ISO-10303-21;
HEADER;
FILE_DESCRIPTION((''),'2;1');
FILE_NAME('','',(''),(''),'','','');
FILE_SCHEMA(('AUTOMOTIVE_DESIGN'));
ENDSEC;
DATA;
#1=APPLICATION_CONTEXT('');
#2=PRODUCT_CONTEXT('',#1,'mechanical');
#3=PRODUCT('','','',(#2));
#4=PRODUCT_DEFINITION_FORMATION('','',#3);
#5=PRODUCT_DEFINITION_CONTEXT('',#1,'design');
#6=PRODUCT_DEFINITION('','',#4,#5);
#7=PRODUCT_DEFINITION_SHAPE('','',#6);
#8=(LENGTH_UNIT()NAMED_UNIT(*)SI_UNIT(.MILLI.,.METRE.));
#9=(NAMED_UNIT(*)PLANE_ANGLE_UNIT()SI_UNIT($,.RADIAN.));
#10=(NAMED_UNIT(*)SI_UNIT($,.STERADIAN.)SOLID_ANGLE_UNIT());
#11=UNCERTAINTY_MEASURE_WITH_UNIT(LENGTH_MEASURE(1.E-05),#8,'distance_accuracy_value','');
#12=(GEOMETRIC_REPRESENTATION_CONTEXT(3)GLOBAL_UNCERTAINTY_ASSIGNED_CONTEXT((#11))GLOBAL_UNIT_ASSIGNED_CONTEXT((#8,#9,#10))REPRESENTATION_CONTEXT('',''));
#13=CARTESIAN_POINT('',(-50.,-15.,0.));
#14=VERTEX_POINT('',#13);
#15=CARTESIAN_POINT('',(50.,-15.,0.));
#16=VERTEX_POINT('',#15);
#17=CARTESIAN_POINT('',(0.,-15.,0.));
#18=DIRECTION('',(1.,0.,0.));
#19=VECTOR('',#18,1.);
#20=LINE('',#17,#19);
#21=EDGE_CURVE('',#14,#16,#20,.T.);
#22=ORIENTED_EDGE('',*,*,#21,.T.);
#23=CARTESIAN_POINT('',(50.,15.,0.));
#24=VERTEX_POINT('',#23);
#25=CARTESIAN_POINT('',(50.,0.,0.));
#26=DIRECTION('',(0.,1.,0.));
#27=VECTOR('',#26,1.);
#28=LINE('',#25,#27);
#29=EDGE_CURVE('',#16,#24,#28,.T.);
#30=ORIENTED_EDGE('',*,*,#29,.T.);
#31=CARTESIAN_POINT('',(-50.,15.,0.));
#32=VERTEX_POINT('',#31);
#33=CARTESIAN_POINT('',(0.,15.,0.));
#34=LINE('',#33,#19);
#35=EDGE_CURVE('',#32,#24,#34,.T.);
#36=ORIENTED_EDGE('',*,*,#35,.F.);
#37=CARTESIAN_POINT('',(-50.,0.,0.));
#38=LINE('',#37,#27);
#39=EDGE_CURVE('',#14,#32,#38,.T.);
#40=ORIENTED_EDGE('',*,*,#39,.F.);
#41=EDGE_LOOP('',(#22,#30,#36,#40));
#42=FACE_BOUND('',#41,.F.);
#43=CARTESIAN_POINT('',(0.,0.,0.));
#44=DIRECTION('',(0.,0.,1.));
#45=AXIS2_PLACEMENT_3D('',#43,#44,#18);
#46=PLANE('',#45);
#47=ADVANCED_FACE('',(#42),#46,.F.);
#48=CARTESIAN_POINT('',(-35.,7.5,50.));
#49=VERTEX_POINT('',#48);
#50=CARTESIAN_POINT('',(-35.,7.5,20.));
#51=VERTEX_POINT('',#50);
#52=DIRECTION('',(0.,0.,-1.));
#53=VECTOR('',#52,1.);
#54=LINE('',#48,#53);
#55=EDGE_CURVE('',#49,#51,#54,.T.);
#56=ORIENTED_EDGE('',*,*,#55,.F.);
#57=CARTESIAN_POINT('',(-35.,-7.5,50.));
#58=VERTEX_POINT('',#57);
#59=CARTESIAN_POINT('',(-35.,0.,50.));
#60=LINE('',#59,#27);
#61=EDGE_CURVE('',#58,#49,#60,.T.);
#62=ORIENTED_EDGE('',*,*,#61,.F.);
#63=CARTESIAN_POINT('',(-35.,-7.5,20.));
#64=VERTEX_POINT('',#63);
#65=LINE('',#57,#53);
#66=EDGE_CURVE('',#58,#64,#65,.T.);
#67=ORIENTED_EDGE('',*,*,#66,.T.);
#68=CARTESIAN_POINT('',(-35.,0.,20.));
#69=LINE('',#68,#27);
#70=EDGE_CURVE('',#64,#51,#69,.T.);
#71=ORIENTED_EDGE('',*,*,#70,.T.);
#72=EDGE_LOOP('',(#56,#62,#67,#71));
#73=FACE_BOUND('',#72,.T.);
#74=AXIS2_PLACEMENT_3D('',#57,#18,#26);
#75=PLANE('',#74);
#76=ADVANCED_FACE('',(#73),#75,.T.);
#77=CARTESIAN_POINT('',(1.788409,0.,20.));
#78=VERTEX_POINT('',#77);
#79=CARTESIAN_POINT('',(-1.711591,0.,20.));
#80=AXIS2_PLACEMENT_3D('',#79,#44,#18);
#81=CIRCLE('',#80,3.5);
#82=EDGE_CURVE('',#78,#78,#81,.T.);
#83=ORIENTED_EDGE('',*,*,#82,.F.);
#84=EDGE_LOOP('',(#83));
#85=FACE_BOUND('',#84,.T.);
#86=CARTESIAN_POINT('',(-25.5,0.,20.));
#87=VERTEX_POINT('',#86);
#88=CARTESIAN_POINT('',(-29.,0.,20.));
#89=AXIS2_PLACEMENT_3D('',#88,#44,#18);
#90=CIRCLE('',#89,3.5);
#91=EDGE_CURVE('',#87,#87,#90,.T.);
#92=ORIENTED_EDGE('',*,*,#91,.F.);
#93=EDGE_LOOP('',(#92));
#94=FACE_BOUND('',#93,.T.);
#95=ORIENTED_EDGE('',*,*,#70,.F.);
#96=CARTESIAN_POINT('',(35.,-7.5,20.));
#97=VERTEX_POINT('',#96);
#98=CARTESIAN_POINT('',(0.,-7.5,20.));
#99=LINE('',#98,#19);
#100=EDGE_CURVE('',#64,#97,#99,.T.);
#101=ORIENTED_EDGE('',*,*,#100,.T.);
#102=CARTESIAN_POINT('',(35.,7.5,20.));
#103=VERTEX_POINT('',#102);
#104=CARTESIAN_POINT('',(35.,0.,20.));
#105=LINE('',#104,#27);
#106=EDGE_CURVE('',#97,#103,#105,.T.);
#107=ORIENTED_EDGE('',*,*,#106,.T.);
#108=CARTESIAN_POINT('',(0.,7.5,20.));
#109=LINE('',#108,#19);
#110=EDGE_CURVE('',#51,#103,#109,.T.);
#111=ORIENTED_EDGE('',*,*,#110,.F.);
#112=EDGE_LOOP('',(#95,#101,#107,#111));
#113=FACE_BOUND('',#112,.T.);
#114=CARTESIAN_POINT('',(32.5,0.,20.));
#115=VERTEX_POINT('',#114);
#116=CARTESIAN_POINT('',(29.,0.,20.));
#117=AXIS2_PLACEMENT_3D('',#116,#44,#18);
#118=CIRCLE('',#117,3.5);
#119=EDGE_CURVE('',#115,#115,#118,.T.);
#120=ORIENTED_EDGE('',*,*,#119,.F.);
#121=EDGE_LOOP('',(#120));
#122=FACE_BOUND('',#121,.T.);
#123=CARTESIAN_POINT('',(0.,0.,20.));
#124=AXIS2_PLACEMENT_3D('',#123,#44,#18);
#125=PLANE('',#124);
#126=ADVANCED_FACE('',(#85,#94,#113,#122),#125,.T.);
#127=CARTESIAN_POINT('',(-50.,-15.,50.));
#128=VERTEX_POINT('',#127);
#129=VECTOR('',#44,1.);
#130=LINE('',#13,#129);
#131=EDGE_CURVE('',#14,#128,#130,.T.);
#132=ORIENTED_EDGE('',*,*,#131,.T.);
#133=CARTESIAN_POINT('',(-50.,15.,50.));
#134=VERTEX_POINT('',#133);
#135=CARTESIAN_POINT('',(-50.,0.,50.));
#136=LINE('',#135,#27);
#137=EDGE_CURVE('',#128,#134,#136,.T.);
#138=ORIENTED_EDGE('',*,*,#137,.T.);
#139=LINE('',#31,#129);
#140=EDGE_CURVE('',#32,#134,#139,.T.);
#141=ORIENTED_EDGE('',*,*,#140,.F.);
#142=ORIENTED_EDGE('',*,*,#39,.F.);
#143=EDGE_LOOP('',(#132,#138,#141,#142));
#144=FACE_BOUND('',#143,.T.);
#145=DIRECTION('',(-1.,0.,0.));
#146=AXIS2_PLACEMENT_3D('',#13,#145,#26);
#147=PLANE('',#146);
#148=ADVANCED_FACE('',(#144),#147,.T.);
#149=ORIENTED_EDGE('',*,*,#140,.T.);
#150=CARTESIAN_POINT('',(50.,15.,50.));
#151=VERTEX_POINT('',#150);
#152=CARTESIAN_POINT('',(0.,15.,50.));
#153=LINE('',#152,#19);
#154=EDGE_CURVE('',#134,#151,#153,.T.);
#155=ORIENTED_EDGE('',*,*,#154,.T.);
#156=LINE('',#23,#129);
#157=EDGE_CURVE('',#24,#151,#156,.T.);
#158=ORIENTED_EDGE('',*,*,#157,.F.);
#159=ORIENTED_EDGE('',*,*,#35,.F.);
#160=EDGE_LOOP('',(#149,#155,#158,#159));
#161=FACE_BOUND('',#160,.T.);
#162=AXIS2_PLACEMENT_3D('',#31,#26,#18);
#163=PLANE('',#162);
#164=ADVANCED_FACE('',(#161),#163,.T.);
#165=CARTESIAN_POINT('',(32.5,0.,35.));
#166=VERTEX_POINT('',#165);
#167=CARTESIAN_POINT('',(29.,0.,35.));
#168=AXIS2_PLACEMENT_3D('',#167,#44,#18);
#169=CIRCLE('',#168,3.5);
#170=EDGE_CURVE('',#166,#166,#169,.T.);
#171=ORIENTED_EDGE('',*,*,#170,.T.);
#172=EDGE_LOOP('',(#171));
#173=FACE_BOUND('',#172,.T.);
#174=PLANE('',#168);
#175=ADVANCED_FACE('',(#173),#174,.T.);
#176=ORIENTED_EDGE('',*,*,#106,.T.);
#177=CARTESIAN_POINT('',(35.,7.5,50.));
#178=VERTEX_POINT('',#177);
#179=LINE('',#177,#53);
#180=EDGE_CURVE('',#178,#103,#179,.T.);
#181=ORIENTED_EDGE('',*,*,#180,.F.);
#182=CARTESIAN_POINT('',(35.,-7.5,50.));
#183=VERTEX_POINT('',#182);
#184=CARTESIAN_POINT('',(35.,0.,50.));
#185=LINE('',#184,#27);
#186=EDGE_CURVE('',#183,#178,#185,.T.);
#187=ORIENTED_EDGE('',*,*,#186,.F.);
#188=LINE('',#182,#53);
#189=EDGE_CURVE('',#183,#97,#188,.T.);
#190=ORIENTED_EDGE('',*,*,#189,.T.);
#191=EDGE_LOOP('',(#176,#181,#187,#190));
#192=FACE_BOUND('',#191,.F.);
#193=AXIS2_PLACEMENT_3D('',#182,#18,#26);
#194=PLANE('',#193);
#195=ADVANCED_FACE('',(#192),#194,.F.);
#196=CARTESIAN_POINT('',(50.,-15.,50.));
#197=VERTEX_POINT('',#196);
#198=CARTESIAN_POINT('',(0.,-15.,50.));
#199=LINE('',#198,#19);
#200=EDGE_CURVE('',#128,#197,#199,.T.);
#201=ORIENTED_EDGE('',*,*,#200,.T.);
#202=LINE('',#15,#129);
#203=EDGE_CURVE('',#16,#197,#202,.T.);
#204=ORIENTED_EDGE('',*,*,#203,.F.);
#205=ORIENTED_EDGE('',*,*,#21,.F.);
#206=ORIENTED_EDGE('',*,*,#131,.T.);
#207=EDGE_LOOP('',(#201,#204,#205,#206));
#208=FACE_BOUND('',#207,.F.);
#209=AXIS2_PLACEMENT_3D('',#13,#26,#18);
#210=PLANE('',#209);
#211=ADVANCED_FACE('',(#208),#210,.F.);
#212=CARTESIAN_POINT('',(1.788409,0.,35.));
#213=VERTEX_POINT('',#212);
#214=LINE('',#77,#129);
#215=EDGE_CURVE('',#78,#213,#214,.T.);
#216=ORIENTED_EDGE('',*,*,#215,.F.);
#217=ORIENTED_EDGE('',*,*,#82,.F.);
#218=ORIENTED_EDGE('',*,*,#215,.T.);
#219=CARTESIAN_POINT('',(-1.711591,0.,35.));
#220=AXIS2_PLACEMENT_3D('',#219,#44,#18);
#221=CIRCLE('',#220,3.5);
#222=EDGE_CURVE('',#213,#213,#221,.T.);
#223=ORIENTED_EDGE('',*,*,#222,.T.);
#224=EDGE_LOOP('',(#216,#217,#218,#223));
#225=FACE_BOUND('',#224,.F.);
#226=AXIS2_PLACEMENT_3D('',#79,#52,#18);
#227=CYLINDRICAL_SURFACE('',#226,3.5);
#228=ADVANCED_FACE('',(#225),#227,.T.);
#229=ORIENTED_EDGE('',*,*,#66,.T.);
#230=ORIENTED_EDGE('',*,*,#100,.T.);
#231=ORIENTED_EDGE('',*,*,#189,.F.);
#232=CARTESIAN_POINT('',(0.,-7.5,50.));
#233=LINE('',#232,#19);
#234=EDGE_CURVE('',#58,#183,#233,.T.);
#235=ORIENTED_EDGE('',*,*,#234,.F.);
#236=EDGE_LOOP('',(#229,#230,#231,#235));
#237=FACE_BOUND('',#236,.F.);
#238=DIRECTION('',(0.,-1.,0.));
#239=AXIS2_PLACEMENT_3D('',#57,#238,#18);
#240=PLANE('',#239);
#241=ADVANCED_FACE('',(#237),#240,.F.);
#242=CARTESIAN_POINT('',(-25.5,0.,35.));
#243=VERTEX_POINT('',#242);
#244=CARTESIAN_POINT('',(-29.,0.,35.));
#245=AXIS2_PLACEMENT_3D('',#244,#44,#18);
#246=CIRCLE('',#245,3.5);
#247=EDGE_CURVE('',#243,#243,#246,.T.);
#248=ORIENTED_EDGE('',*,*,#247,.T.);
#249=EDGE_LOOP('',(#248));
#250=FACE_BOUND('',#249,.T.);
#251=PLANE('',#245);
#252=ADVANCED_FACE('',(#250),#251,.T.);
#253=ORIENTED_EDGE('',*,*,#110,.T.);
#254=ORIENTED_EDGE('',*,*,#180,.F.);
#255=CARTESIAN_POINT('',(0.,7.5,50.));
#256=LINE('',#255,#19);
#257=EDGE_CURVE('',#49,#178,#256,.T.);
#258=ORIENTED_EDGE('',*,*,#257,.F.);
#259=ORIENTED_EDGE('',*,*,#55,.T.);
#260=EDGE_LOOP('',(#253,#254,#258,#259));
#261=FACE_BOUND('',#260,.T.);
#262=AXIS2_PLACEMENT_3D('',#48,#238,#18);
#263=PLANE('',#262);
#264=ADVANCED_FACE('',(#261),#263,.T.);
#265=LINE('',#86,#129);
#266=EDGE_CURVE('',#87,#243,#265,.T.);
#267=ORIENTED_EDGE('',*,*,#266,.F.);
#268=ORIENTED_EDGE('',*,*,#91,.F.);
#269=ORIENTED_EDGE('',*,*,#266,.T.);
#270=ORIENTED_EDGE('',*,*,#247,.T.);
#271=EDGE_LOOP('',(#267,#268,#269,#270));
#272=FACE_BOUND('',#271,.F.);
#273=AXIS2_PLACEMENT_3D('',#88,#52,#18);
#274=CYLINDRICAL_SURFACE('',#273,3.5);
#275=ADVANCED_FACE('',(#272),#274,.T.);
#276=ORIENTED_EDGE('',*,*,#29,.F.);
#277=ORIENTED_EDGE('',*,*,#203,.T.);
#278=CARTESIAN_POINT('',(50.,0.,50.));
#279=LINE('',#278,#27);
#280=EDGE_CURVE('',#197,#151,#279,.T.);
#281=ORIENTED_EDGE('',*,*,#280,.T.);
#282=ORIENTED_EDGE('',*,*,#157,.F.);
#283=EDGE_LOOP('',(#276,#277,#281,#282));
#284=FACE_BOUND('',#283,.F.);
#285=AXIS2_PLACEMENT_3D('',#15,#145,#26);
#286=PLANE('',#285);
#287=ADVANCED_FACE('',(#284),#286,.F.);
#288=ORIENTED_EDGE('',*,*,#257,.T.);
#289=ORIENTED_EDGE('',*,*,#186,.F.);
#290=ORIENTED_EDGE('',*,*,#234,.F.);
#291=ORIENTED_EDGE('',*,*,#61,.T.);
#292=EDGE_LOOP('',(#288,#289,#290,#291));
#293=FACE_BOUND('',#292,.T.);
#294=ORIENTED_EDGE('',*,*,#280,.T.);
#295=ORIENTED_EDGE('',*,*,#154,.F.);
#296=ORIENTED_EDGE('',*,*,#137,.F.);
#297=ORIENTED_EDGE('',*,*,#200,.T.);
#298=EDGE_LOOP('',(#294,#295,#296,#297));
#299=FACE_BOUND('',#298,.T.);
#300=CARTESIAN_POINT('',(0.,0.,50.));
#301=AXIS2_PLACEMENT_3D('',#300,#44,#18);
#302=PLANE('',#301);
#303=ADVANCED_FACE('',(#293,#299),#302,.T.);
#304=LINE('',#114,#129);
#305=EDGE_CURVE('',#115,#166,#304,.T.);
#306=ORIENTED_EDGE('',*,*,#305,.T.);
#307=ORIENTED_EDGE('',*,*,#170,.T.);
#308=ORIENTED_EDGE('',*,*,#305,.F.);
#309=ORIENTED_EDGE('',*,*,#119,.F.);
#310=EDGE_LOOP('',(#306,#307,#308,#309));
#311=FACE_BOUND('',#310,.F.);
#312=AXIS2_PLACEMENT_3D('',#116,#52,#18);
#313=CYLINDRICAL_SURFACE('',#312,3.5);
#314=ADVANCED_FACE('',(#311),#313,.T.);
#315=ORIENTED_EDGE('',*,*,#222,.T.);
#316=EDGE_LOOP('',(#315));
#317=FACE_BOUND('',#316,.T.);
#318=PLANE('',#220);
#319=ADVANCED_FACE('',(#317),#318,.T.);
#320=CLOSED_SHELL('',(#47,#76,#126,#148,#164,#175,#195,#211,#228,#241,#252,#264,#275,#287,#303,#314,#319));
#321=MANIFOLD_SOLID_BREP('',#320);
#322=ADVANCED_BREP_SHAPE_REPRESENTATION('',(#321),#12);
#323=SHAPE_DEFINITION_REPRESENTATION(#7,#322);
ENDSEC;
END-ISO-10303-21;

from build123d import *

# Parameters (mm, degrees)
F0_W     = 100
F0_H     = 30
F1_DEPTH = 50
F2_W     = 70
F2_H     = 15
F3_DEPTH = 30
F4_R     = 3.5
F5_DEPTH = 15


with BuildPart() as f1:
    # F0 (on Top) → F1 (new body)
    with BuildSketch(Plane.XY):
        Rectangle(F0_W, F0_H)
    extrude(amount=F1_DEPTH)

    # F2 (on face) → F3 (cut)
    with BuildSketch(Plane.XY.offset(50)):
        Rectangle(F2_W, F2_H)
    extrude(amount=-F3_DEPTH, mode=Mode.SUBTRACT)

    # F4 (on face) → F5 (join)
    with BuildSketch(Plane.XY.offset(20)):
        with Locations((-1.711591, 0)):
            Circle(F4_R)
        with Locations((29, 0)):
            Circle(F4_R)
        with Locations((-29, 0)):
            Circle(F4_R)
    extrude(amount=F5_DEPTH)


solid = f1.part
